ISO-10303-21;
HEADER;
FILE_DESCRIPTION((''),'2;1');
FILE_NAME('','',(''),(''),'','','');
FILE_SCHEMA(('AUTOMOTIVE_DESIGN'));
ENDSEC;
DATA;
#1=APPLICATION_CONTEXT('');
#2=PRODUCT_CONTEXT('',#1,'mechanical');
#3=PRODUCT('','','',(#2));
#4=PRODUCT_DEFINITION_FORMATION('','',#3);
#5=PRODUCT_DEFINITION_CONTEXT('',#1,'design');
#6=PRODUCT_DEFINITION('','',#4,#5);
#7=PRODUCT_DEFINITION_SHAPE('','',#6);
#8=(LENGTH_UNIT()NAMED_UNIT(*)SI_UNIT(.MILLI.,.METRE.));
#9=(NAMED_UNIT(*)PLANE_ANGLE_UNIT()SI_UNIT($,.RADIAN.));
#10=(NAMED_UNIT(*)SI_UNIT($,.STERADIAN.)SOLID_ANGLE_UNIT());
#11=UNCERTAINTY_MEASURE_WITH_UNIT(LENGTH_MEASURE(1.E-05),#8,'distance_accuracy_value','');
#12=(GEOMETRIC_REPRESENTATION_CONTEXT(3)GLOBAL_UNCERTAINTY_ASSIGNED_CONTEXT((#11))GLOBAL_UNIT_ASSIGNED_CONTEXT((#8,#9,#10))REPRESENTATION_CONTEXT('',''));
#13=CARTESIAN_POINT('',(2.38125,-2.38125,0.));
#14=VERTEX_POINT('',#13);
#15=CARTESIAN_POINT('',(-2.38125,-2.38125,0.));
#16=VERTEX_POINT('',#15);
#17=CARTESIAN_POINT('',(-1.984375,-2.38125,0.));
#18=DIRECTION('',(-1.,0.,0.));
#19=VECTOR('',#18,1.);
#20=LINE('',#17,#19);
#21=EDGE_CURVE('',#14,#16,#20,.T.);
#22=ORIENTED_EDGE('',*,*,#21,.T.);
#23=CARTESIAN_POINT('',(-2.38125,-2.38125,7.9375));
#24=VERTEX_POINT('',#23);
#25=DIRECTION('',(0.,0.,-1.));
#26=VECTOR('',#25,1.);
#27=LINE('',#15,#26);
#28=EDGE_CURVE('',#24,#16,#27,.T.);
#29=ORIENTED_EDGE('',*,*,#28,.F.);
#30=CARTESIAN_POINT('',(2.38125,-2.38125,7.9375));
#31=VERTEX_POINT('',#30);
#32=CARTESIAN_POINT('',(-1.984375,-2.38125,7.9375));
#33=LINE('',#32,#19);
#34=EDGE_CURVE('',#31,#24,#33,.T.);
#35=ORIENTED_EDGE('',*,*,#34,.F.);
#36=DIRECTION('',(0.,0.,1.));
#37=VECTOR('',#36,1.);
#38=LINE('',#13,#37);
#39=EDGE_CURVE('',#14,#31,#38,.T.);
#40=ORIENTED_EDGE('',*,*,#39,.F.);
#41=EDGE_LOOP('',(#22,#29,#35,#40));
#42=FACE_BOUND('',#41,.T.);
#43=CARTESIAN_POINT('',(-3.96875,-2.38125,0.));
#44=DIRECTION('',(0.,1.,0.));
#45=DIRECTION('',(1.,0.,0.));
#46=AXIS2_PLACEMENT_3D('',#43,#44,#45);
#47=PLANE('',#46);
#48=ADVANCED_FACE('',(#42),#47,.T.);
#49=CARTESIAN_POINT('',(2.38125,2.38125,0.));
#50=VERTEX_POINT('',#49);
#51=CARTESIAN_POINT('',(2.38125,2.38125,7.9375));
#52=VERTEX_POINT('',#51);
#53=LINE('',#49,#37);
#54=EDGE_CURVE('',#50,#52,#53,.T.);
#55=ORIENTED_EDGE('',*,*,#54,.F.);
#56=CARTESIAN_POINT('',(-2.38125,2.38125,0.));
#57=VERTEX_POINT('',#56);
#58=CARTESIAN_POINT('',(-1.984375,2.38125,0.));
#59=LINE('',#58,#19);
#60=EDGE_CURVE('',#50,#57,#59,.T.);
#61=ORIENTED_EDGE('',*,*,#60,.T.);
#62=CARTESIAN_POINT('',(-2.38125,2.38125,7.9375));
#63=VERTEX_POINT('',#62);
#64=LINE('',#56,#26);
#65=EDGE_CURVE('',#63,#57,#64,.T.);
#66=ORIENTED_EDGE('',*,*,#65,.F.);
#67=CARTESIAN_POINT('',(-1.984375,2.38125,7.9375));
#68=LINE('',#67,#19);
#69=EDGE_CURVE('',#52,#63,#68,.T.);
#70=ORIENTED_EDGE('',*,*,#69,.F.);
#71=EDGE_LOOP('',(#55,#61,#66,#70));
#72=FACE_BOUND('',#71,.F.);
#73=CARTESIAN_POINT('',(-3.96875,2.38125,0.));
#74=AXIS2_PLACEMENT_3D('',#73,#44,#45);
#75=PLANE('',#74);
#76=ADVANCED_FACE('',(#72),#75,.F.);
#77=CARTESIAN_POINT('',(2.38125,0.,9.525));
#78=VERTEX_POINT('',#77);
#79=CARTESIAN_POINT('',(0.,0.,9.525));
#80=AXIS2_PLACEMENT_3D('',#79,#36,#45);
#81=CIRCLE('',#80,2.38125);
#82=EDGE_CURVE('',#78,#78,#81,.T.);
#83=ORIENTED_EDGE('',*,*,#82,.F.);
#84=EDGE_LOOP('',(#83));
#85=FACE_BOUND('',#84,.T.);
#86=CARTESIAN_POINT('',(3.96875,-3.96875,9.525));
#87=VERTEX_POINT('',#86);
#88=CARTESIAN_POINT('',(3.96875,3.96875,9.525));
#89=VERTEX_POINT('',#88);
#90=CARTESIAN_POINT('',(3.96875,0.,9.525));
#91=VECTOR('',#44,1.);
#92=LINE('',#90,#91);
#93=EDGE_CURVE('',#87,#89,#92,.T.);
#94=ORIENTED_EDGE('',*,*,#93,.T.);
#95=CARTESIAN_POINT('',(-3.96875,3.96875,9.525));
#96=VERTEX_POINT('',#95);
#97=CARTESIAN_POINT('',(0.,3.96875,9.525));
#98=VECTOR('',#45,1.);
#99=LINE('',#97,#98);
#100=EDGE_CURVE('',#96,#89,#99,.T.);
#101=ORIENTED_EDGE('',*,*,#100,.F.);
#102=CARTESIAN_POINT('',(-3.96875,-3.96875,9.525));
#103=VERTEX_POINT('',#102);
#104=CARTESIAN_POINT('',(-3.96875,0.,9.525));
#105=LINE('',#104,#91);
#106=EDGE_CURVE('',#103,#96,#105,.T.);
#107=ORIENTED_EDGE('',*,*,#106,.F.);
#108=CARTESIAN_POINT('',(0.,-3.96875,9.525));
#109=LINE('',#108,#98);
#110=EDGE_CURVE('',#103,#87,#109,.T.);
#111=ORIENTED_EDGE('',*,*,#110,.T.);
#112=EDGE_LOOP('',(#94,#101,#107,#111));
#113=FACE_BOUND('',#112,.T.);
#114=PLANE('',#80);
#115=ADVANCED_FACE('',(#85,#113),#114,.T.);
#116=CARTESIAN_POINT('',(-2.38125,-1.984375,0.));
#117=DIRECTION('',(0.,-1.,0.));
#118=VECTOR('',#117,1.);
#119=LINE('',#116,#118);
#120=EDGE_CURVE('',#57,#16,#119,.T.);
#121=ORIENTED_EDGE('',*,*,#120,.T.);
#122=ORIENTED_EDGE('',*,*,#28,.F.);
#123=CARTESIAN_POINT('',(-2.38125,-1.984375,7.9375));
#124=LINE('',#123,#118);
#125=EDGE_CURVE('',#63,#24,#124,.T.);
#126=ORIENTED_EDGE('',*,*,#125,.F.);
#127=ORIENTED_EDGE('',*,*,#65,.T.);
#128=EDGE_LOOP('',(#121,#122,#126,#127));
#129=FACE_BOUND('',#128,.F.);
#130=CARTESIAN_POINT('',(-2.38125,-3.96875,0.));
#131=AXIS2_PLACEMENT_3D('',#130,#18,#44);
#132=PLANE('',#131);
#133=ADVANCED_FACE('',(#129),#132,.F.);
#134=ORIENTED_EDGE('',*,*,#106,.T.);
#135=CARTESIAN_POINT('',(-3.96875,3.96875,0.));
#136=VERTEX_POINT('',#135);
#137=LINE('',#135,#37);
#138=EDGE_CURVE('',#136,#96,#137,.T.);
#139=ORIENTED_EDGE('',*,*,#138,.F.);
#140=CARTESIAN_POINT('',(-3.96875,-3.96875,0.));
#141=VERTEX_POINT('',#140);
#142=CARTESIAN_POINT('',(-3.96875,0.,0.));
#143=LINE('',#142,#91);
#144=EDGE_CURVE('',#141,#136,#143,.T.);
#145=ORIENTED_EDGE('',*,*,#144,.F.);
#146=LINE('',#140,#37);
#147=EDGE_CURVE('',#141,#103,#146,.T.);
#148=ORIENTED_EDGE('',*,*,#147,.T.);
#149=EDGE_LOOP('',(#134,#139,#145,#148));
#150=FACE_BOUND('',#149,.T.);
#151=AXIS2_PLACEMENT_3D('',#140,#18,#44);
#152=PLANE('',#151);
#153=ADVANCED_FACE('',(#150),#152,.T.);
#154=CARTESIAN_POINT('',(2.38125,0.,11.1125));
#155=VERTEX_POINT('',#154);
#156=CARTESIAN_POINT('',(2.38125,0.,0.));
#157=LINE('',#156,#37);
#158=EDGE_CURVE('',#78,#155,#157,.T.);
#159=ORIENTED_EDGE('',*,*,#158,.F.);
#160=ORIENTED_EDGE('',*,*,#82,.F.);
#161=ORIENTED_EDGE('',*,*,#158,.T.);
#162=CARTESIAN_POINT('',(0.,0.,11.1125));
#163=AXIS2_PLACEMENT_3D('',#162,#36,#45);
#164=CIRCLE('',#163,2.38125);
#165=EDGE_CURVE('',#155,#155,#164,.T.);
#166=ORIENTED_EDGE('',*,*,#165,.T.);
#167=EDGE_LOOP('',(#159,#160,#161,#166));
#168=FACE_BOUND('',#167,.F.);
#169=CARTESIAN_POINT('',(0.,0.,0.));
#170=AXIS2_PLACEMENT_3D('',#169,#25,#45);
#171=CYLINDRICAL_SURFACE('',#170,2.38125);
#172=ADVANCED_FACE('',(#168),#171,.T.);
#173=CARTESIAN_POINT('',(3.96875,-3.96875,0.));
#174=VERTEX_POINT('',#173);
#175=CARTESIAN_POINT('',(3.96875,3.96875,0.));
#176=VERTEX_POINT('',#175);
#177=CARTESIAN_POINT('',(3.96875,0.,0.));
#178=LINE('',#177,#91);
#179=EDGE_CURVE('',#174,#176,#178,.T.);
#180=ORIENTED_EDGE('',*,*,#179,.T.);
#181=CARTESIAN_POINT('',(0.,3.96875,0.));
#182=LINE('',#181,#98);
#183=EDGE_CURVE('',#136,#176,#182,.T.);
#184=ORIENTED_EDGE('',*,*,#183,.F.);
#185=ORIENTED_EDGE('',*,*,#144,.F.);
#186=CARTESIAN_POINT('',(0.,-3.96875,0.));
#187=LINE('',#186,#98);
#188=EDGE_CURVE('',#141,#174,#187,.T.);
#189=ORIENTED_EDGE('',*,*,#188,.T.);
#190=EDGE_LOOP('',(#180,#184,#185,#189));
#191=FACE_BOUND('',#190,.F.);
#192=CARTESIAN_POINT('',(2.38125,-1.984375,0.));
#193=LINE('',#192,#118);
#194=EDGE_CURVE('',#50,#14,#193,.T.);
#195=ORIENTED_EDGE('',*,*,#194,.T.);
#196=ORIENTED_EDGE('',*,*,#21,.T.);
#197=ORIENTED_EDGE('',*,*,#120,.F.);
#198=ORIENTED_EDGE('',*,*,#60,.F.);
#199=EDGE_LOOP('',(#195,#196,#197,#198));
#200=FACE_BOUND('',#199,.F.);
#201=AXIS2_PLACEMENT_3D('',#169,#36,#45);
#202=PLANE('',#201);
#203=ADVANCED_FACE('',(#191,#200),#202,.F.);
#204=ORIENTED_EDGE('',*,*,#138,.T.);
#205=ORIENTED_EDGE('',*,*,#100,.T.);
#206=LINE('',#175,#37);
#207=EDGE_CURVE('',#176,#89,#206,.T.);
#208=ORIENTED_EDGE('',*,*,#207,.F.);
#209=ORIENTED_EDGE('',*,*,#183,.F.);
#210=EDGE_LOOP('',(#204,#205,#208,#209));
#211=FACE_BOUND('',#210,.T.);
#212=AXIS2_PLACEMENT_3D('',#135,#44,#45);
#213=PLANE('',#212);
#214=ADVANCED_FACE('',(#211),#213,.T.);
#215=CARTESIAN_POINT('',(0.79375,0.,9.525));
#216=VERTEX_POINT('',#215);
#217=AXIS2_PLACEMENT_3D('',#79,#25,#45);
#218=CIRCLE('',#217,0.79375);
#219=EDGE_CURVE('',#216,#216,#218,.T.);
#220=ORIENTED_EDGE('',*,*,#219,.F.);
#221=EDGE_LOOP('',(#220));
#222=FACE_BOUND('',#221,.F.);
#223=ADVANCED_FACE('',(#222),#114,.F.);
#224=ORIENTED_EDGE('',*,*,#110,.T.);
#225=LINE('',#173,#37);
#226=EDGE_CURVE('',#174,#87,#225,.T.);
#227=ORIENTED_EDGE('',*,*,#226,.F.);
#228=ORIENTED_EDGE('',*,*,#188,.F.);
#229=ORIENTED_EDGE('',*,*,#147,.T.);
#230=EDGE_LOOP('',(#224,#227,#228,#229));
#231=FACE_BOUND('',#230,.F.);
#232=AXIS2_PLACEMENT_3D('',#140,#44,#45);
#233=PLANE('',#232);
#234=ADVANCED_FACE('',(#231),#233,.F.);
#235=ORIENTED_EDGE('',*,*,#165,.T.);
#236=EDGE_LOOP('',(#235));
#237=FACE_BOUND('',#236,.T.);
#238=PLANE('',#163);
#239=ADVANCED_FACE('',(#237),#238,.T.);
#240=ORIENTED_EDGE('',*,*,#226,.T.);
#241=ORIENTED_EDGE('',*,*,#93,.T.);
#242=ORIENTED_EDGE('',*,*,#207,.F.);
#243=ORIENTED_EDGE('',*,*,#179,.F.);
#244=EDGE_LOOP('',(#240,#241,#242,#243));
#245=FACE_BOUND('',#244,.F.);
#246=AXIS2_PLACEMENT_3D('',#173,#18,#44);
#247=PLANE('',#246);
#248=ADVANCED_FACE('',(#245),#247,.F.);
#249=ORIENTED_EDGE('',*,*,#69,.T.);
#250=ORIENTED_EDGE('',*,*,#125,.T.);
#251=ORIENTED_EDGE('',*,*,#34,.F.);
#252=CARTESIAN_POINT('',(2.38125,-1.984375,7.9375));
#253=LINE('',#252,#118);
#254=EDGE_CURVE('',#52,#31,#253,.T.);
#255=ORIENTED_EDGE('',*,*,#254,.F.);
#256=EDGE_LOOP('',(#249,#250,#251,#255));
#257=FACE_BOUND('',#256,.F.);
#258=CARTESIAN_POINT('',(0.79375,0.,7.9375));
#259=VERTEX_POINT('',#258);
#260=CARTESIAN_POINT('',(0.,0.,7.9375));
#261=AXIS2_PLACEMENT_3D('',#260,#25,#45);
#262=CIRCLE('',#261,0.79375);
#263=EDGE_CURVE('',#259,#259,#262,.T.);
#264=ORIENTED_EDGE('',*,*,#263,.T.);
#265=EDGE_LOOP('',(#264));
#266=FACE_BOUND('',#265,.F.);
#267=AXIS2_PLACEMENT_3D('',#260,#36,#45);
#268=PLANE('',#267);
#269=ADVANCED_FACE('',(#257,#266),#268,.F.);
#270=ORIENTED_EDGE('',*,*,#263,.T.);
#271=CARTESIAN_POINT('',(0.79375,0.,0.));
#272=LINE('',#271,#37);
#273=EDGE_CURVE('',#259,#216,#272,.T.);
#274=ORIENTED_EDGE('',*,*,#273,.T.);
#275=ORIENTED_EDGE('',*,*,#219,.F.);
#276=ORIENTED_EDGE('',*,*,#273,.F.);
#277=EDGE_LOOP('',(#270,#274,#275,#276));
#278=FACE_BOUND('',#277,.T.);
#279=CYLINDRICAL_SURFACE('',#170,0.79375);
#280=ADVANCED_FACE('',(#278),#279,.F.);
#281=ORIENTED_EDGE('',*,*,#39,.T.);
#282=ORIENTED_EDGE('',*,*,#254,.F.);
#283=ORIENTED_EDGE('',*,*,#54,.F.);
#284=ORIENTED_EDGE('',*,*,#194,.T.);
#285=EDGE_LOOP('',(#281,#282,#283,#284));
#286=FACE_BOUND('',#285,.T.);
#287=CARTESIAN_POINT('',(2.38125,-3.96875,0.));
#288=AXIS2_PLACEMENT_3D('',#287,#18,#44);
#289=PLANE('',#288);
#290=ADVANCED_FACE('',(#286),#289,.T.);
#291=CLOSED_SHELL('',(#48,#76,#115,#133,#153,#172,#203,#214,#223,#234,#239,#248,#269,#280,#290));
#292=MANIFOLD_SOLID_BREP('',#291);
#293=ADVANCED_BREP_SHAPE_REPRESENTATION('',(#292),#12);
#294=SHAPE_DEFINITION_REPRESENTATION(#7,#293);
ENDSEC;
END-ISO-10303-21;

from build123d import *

# Parameters (mm, degrees)
F0_W     = 7.9375
F0_H     = 7.9375
F0_R     = 2.38125
F1_DEPTH = 9.525
F2_DEPTH = 11.1125
F3_T     = -1.5875


with BuildPart() as f1:
    # F0 (on Top) → F1 (new body)
    with BuildSketch(Plane.XY):
        Rectangle(F0_W, F0_H)
        Circle(F0_R, mode=Mode.SUBTRACT)
    extrude(amount=F1_DEPTH)

    # F0 (on Top) → F2 (join)
    with BuildSketch(Plane.XY):
        Circle(F0_R)
    extrude(amount=F2_DEPTH)

    # F3
    f3_openings = [f1.faces().sort_by_distance(p)[0] for p in [
        (0, 0, 0),
    ]]
    offset(amount=F3_T, openings=f3_openings, kind=Kind.INTERSECTION)


solid = f1.part
